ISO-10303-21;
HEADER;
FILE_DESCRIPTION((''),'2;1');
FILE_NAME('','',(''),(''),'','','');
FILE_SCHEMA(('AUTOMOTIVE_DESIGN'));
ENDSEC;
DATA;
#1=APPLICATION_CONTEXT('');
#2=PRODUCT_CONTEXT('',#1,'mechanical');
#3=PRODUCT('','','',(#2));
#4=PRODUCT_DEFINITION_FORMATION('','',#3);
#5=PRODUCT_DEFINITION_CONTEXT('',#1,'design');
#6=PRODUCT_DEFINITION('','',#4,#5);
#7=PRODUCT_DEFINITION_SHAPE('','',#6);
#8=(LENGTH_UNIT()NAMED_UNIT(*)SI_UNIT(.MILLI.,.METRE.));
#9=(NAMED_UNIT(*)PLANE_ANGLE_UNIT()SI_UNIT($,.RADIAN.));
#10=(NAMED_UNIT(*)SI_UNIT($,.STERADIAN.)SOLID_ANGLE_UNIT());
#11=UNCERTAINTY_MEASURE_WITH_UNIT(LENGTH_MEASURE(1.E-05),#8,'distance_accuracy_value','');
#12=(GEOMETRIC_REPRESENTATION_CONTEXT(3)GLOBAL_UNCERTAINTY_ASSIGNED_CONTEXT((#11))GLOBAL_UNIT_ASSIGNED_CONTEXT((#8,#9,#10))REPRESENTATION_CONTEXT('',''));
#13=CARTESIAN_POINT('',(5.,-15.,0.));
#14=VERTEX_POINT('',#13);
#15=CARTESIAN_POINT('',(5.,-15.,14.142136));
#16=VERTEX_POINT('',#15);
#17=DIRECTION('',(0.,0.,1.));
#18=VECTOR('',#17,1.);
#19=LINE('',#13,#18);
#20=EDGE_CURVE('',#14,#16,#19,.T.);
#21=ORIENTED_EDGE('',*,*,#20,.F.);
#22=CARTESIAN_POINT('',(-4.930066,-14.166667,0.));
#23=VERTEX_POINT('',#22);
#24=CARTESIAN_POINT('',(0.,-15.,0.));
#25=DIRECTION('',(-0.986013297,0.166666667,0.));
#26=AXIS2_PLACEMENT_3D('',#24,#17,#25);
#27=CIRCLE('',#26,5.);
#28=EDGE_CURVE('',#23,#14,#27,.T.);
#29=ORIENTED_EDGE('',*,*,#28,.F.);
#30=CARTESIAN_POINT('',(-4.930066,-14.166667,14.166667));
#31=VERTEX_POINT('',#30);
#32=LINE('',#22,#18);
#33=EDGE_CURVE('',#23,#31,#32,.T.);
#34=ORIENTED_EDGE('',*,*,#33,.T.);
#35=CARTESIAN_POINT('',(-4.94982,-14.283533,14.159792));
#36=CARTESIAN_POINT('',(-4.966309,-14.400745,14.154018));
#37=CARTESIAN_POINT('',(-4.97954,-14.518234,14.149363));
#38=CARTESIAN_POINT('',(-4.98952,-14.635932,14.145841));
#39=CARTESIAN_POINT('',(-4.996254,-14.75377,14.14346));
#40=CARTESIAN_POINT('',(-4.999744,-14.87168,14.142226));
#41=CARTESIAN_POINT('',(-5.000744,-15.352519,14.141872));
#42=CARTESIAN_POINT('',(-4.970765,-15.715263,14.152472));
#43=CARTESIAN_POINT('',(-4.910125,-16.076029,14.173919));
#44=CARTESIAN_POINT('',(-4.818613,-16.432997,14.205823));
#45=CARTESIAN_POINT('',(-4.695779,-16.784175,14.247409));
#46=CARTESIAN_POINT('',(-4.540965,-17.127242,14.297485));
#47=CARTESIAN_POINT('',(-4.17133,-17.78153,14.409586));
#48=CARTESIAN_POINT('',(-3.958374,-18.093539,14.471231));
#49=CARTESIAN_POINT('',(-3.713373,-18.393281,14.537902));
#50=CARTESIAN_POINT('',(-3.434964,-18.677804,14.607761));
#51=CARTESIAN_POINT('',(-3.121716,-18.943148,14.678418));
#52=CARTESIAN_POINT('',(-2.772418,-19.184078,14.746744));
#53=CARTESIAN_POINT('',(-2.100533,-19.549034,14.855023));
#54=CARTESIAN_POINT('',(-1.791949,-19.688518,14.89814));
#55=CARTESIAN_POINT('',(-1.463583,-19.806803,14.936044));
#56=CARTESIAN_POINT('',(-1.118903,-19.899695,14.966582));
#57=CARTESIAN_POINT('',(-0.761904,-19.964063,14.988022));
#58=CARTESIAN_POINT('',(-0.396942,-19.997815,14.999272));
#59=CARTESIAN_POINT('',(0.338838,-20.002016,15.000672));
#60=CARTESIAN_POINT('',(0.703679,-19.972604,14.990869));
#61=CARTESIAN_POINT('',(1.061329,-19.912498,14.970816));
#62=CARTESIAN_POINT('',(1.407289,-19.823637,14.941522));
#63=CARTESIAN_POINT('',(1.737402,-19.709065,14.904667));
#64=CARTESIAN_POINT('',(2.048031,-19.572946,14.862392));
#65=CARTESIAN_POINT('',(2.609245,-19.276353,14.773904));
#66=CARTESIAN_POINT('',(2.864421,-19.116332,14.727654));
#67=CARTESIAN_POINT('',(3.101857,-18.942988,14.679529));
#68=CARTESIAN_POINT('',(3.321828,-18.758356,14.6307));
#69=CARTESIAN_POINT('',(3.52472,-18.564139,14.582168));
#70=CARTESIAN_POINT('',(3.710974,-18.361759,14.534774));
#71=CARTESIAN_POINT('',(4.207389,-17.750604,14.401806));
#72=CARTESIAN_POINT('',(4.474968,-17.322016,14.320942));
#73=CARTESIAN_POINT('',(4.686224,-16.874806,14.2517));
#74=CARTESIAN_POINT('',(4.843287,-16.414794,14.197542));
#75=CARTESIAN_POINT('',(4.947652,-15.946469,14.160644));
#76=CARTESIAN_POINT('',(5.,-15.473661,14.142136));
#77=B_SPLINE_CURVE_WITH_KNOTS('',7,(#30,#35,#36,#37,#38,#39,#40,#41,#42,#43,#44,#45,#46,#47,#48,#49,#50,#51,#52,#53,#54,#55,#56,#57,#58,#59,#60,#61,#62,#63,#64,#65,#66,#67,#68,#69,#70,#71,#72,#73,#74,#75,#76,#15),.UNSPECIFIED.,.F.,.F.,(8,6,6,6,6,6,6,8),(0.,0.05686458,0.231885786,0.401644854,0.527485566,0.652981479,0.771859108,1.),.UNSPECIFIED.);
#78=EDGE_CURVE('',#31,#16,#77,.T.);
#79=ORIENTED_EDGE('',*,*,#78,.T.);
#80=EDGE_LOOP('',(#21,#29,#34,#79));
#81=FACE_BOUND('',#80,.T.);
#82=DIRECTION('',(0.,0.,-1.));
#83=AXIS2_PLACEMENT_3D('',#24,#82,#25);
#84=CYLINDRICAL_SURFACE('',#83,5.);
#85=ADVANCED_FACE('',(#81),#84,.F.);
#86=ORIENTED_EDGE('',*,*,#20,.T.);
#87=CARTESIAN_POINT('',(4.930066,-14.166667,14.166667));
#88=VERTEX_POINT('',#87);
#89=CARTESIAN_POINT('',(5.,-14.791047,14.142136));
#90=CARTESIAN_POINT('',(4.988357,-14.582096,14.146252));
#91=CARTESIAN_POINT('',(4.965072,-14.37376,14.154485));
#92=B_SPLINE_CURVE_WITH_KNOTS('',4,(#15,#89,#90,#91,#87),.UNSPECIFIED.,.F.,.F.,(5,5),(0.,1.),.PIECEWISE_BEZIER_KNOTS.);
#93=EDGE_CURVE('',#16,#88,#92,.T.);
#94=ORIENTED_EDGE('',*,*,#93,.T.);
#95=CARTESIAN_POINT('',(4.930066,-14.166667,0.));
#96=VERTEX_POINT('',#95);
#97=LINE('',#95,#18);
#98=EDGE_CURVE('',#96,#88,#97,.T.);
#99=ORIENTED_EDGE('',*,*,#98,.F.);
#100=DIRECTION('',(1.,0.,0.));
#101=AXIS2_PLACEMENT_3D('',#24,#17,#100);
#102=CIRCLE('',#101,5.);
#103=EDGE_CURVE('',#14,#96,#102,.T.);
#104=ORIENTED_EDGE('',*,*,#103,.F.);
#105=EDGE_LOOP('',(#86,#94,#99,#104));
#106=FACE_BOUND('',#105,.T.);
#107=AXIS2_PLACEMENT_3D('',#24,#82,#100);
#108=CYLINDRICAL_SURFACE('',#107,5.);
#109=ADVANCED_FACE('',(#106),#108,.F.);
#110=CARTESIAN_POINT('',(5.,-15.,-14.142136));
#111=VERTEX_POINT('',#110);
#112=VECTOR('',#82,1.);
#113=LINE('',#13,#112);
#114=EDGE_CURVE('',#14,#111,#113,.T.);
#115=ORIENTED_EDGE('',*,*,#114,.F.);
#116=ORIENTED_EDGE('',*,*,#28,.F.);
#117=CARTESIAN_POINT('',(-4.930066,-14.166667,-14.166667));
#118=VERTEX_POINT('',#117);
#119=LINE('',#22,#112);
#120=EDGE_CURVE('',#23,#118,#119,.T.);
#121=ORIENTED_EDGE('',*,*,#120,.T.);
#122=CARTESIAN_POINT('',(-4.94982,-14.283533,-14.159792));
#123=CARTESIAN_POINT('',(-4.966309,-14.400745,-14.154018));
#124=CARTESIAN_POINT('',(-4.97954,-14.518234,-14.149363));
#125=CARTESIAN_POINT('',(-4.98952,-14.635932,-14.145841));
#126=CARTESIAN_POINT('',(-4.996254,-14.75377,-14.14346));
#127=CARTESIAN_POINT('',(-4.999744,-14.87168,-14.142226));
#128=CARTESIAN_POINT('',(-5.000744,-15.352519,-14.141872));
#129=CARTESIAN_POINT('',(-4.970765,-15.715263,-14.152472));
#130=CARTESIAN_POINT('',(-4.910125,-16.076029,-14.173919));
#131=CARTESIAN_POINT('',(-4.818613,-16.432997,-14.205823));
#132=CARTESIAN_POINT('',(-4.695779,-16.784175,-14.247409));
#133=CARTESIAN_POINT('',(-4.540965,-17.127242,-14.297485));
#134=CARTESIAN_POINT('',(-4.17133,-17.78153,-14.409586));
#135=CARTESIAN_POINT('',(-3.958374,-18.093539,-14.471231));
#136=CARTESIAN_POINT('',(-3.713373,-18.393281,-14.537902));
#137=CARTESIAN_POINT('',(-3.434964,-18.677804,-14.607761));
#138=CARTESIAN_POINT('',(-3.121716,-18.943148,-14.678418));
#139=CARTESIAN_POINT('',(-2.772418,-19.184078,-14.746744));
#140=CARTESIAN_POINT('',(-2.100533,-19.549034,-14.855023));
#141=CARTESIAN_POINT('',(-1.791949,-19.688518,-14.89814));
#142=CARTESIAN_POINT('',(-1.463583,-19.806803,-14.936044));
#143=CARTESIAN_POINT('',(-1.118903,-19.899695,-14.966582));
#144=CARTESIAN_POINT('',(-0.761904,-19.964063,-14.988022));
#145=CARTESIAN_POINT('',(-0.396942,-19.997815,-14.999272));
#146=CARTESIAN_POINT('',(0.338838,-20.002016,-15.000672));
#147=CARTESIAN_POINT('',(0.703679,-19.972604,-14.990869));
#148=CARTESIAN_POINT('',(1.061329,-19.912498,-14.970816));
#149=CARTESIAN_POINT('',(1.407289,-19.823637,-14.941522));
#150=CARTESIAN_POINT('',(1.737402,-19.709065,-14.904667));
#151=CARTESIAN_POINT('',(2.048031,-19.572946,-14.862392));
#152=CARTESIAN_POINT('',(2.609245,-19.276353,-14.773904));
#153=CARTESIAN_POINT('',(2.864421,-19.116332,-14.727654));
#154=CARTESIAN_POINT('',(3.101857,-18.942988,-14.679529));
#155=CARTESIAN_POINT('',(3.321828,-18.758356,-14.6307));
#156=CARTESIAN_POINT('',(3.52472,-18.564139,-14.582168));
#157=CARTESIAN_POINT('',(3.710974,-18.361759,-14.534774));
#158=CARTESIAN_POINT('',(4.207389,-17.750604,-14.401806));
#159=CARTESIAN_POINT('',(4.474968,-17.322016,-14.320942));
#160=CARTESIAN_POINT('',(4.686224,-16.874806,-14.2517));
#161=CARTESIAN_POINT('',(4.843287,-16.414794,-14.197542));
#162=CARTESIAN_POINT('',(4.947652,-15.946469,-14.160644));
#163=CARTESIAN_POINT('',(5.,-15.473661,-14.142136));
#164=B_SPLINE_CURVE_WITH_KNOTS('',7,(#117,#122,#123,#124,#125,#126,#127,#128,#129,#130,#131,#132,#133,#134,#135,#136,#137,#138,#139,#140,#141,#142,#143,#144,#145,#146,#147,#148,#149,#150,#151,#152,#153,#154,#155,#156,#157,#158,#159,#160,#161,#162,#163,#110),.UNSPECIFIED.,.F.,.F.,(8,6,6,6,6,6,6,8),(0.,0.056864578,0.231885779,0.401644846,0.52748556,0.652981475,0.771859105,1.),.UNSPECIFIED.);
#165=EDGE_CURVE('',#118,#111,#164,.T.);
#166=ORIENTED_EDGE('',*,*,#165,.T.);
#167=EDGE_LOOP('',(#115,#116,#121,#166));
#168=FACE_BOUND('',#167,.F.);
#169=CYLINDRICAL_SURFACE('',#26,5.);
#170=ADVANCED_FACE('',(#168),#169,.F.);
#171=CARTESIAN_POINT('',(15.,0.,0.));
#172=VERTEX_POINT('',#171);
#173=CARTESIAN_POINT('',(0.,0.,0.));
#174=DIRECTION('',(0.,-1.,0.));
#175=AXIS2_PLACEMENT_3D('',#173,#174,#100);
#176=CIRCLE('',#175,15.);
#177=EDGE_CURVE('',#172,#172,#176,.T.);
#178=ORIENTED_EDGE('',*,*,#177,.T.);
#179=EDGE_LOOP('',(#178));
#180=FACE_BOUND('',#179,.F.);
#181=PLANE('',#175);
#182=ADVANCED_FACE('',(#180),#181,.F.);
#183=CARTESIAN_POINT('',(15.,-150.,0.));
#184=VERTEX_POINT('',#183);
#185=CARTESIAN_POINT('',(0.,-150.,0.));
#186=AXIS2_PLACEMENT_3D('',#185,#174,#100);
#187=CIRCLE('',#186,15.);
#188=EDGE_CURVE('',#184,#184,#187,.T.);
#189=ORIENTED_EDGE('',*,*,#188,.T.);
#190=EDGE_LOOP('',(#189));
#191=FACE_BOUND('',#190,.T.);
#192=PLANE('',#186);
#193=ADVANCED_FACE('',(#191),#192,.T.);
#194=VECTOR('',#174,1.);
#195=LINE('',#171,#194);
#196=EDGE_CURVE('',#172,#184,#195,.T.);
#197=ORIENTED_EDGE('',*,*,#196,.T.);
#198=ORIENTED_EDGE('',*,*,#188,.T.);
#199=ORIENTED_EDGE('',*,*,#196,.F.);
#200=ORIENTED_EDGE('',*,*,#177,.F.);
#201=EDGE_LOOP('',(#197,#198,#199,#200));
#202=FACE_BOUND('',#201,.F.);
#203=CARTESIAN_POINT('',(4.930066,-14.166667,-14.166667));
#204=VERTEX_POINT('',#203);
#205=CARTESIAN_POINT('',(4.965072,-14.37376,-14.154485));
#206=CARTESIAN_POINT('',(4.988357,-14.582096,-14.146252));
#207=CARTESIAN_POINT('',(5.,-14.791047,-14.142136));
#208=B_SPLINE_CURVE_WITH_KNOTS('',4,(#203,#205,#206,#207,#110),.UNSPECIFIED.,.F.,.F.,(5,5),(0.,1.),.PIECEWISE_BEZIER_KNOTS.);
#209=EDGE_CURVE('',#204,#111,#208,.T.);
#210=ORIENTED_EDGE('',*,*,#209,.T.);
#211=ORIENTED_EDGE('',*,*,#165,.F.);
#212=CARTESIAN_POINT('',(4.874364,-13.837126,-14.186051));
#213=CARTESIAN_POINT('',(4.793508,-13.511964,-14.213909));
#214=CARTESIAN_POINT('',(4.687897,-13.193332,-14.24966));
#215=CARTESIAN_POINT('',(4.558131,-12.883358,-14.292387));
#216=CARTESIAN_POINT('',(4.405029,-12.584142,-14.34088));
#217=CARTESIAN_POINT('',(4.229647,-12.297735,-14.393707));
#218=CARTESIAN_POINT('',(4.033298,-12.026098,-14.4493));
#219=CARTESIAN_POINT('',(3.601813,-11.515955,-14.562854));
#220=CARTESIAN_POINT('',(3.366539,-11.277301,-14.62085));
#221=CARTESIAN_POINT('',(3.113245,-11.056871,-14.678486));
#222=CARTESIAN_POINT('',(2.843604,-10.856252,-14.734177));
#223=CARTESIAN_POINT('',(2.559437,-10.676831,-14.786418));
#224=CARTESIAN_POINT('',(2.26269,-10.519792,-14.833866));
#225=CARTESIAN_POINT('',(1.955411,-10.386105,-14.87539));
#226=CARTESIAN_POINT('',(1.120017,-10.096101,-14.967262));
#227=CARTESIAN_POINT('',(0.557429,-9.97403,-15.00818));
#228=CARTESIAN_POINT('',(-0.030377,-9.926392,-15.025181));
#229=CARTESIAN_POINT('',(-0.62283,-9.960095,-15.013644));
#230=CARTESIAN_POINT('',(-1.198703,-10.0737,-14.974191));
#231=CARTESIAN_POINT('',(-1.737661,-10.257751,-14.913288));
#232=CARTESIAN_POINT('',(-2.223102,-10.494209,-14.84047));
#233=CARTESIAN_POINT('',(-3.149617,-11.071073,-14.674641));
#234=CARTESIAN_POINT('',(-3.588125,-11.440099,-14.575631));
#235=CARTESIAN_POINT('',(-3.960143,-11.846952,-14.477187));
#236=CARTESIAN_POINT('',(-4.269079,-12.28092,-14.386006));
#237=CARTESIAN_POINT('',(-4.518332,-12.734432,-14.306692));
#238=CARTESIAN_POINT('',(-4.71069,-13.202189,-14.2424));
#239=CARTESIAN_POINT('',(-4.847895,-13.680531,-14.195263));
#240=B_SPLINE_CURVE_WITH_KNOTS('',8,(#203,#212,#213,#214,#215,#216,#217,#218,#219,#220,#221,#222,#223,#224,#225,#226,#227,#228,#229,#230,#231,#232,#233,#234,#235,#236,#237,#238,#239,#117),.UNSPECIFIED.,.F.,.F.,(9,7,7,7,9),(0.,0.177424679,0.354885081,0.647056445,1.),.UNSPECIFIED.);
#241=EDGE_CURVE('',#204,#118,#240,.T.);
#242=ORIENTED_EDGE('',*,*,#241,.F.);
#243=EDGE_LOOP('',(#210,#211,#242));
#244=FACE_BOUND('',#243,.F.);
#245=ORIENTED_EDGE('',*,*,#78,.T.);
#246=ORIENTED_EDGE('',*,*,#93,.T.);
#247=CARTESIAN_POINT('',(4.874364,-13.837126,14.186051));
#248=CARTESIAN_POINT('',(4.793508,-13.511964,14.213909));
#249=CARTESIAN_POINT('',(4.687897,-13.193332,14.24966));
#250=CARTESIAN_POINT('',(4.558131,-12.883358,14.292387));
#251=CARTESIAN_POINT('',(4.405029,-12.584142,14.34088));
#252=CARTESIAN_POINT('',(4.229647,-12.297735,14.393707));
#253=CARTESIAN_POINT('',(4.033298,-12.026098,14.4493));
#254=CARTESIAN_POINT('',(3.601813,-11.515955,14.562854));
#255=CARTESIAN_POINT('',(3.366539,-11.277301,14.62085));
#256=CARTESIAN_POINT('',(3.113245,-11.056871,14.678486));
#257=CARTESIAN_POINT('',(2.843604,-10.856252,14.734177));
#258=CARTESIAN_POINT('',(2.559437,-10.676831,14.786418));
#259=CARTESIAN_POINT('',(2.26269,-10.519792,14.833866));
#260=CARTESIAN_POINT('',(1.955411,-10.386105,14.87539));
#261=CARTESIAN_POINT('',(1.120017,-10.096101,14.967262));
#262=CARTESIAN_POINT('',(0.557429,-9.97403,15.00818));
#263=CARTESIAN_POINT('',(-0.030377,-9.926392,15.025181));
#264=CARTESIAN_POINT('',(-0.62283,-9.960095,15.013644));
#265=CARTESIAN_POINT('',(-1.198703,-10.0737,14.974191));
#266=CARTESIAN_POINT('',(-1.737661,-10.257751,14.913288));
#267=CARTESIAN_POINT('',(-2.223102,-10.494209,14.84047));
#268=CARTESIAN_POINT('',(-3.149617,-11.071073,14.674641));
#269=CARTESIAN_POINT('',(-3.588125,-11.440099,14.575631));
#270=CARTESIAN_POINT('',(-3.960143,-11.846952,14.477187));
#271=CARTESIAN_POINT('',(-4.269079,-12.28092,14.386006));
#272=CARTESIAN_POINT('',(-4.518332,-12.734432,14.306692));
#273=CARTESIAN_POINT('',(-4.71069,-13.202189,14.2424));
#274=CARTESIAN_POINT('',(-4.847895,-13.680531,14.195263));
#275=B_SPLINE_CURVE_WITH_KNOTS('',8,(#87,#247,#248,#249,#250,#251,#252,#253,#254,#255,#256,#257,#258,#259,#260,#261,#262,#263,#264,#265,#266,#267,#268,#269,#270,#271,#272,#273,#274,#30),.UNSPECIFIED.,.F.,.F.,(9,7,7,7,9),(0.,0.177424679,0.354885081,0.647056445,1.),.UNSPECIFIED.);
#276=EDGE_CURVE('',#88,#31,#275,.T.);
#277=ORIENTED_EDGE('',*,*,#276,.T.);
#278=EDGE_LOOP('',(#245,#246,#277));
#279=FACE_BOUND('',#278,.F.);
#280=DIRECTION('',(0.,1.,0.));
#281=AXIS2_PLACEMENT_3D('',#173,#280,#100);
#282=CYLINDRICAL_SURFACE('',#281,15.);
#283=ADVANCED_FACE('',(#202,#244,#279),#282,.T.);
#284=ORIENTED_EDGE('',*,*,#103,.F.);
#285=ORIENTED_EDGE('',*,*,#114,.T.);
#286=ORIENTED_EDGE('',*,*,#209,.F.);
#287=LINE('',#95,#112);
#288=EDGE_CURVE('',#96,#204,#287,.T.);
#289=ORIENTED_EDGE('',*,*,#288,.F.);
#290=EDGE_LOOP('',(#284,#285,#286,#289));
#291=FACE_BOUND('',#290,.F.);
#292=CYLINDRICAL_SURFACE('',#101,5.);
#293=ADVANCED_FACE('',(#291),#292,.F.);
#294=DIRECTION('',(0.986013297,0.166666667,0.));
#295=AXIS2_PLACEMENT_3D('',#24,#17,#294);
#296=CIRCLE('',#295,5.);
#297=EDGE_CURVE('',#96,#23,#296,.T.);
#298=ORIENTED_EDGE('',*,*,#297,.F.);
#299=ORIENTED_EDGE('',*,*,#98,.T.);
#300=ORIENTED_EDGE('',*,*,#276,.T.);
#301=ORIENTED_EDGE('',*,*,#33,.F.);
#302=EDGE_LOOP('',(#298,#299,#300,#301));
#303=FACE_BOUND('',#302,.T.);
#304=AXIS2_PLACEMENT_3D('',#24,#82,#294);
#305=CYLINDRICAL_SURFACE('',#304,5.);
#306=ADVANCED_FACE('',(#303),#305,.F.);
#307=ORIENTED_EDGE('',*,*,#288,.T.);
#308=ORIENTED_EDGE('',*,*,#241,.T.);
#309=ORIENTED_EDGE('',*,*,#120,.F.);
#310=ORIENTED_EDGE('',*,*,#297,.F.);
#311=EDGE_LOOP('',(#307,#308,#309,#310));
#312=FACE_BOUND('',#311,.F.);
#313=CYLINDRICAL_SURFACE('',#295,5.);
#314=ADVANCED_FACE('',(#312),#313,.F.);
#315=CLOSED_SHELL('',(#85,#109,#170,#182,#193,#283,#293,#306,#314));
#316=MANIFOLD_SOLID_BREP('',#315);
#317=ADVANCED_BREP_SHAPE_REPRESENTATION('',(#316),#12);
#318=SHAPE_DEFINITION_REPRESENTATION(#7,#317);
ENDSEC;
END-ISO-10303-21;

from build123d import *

# Parameters (mm, degrees)
F0_R     = 15
F1_DEPTH = 150
F3_DEPTH = 19.9


with BuildPart() as f1:
    # F0 (on Front) → F1 (new body)
    with BuildSketch(Plane.XZ):
        Circle(F0_R)
    extrude(amount=F1_DEPTH)

    # F2 (on Top) → F3 (cut, symmetric)
    with BuildSketch(Plane.XY):
        with BuildLine():
            ThreePointArc((4.9300664859, -14.1666666667), (0, -15), (-4.9300664859, -14.1666666667))
            ThreePointArc((-4.9300664859, -14.1666666667), (-0.4181313014, -19.9824859473), (5, -15))
            ThreePointArc((5, -15), (4.9824859473, -14.5818686986), (4.9300664859, -14.1666666667))
        make_face()
        with BuildLine():
            ThreePointArc((4.9300664859, -14.1666666667), (0, -10), (-4.9300664859, -14.1666666667))
            ThreePointArc((-4.9300664859, -14.1666666667), (0, -15), (4.9300664859, -14.1666666667))
        make_face()
    extrude(amount=F3_DEPTH, both=True, mode=Mode.SUBTRACT)


solid = f1.part
